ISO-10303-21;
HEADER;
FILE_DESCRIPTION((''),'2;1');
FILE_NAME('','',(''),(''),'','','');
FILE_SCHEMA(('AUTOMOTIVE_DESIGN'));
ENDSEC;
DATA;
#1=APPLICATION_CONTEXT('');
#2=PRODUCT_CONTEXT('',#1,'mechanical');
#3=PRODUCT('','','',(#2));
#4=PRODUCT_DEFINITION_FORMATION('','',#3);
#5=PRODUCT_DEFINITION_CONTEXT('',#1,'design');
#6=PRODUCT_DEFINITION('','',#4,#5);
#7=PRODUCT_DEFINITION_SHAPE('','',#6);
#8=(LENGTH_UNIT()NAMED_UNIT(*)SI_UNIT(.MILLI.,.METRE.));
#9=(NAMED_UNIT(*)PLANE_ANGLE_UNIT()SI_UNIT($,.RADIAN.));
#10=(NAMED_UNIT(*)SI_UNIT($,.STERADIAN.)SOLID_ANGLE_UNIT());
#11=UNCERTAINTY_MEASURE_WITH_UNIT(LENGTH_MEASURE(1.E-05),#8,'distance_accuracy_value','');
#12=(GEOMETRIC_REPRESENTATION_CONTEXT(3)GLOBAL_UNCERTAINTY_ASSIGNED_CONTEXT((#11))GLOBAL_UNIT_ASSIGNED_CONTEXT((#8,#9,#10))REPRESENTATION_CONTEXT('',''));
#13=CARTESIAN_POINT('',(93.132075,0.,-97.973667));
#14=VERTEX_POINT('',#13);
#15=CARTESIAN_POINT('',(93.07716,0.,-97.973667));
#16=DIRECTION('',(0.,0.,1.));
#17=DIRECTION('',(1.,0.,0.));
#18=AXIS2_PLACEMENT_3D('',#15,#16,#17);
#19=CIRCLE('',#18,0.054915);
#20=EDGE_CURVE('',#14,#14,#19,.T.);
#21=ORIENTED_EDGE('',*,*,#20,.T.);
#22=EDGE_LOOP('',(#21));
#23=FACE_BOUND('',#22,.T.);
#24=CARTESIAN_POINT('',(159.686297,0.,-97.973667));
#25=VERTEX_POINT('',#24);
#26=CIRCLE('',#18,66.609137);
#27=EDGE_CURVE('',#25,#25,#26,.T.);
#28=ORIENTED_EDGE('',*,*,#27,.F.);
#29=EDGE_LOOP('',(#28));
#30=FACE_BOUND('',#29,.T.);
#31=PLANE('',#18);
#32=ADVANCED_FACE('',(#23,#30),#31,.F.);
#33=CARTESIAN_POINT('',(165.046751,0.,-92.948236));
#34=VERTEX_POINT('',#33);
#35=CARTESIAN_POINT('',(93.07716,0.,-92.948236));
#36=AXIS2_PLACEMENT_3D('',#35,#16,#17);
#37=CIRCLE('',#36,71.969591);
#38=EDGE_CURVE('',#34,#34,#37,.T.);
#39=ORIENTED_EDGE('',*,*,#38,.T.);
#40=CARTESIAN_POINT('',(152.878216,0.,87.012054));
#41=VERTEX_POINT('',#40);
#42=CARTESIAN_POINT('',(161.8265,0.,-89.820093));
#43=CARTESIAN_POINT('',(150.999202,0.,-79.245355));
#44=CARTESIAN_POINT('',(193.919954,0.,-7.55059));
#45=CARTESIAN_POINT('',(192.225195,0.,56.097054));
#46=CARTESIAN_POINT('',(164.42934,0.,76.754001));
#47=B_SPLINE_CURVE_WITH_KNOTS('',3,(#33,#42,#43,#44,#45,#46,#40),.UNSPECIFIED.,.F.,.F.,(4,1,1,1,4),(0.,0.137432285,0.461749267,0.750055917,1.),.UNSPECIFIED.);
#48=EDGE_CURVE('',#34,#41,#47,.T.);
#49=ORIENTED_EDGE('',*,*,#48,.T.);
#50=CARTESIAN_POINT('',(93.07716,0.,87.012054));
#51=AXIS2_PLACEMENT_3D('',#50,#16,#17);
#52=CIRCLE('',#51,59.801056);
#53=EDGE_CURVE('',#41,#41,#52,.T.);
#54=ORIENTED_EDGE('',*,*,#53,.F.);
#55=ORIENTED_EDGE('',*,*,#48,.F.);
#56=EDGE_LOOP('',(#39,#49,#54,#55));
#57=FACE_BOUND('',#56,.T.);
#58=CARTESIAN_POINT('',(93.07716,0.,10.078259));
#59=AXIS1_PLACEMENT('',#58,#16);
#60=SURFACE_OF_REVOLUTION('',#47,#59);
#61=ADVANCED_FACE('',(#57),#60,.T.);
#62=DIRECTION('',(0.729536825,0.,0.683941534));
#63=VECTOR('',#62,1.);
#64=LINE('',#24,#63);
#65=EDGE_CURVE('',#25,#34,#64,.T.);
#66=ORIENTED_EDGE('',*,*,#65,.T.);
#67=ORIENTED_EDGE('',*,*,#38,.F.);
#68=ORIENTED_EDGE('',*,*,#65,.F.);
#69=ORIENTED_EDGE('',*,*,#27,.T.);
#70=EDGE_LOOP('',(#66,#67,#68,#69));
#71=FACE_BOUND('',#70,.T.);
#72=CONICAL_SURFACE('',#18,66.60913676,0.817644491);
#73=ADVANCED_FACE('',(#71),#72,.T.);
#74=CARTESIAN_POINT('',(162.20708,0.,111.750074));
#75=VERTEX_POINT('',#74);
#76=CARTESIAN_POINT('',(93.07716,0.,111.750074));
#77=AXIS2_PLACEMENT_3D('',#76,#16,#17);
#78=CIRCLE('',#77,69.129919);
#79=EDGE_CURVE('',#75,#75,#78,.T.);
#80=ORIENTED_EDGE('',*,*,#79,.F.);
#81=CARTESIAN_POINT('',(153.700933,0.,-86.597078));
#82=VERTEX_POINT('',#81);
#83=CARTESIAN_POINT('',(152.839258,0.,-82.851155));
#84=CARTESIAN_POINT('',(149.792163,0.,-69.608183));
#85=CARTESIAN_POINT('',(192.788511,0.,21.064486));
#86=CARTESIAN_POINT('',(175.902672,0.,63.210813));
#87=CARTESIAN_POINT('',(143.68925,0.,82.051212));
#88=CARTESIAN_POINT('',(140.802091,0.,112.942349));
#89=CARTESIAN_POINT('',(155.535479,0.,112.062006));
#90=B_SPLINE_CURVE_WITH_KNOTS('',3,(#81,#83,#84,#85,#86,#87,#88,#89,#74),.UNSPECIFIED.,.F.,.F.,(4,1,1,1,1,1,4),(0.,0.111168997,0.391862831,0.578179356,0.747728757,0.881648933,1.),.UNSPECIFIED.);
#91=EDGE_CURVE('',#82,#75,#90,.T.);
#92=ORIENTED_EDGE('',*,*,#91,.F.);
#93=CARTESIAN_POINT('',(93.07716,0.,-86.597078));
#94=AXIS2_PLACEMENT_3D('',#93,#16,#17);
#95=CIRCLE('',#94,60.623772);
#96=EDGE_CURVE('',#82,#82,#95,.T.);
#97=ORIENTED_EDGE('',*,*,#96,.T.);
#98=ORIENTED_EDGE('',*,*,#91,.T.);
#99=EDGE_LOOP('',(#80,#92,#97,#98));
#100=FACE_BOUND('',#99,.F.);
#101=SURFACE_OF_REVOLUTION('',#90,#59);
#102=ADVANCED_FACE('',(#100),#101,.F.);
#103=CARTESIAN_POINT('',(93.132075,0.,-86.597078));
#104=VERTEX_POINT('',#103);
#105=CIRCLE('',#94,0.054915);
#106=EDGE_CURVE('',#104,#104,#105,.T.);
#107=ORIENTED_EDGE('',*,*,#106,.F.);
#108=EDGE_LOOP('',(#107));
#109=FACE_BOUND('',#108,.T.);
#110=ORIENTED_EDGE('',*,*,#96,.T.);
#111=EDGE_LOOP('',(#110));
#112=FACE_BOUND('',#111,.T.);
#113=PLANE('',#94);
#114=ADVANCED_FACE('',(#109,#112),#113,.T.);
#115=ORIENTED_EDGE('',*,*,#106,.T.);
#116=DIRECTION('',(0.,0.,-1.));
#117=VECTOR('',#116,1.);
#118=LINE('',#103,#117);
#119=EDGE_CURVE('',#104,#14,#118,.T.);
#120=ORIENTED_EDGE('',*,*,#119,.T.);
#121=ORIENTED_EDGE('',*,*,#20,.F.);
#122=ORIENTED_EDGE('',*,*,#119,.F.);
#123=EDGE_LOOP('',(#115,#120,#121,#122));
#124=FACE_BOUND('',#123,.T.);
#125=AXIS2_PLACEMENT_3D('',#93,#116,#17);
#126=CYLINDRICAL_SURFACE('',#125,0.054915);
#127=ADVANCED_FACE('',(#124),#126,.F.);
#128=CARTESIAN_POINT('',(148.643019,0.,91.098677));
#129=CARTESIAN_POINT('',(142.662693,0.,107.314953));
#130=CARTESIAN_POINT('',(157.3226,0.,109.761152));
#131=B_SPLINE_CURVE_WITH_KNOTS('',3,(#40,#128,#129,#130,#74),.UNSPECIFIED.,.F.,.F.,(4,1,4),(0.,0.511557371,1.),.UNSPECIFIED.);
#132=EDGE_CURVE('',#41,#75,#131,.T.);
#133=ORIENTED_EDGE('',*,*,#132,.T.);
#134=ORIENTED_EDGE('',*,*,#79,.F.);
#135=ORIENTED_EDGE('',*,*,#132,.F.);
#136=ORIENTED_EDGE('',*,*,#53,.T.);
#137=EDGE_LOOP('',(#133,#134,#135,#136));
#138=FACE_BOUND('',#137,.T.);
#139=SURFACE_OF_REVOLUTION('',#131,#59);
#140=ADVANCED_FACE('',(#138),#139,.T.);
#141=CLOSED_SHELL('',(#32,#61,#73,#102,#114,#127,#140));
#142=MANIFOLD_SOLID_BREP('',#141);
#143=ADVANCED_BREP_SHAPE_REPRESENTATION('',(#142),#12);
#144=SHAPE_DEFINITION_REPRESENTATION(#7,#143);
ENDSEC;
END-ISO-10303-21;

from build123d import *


with BuildPart() as f2:
    # F0 (on Front) → F2 (revolve)
    with BuildSketch(Plane.XZ):
        with BuildLine():
            Line((93.1320749223, -86.5970775485), (93.1320749223, -97.9736670852))
            Line((93.1320749223, -97.9736670852), (159.6862971783, -97.9736670852))
            Line((159.6862971783, -97.9736670852), (165.0467514992, -92.9482355714))
            add(Edge.make_bspline(
                [(165.0467514992, -92.9482355714), (161.8265002946, -89.8200934888), (150.9992020681, -79.245354563), (193.9199538264, -7.5505895103), (192.2251946095, 56.0970543346), (164.4293404176, 76.754001231), (152.8782159428, 87.0120535426)],
                knots=[0, 0, 0, 0, 0.1374322853, 0.4617492672, 0.7500559171, 1, 1, 1, 1], degree=3))
            add(Edge.make_bspline(
                [(152.8782159428, 87.0120535426), (148.6430192924, 91.0986772598), (142.6626931275, 107.314953239), (157.3226003205, 109.7611519521), (162.2070796951, 111.7500744908)],
                knots=[0, 0, 0, 0, 0.5115573712, 1, 1, 1, 1], degree=3))
            add(Edge.make_bspline(
                [(153.7009328604, -86.5970775485), (152.8392583014, -82.8511545627), (149.7921633489, -69.6081833407), (192.7885112923, 21.0644858983), (175.9026724629, 63.2108130179), (143.6892495895, 82.0512120438), (140.8020907701, 112.9423494164), (155.5354787751, 112.0620060977), (162.2070796951, 111.7500744908)],
                knots=[0, 0, 0, 0, 0.1111689965, 0.3918628314, 0.5781793556, 0.747728757, 0.8816489333, 1, 1, 1, 1], degree=3))
            Line((153.7009328604, -86.5970775485), (93.1320749223, -86.5970775485))
        make_face()
    revolve(axis=Axis((93.077160418, 0, 10.0782588124), (0, 0, 1)))


solid = f2.part
